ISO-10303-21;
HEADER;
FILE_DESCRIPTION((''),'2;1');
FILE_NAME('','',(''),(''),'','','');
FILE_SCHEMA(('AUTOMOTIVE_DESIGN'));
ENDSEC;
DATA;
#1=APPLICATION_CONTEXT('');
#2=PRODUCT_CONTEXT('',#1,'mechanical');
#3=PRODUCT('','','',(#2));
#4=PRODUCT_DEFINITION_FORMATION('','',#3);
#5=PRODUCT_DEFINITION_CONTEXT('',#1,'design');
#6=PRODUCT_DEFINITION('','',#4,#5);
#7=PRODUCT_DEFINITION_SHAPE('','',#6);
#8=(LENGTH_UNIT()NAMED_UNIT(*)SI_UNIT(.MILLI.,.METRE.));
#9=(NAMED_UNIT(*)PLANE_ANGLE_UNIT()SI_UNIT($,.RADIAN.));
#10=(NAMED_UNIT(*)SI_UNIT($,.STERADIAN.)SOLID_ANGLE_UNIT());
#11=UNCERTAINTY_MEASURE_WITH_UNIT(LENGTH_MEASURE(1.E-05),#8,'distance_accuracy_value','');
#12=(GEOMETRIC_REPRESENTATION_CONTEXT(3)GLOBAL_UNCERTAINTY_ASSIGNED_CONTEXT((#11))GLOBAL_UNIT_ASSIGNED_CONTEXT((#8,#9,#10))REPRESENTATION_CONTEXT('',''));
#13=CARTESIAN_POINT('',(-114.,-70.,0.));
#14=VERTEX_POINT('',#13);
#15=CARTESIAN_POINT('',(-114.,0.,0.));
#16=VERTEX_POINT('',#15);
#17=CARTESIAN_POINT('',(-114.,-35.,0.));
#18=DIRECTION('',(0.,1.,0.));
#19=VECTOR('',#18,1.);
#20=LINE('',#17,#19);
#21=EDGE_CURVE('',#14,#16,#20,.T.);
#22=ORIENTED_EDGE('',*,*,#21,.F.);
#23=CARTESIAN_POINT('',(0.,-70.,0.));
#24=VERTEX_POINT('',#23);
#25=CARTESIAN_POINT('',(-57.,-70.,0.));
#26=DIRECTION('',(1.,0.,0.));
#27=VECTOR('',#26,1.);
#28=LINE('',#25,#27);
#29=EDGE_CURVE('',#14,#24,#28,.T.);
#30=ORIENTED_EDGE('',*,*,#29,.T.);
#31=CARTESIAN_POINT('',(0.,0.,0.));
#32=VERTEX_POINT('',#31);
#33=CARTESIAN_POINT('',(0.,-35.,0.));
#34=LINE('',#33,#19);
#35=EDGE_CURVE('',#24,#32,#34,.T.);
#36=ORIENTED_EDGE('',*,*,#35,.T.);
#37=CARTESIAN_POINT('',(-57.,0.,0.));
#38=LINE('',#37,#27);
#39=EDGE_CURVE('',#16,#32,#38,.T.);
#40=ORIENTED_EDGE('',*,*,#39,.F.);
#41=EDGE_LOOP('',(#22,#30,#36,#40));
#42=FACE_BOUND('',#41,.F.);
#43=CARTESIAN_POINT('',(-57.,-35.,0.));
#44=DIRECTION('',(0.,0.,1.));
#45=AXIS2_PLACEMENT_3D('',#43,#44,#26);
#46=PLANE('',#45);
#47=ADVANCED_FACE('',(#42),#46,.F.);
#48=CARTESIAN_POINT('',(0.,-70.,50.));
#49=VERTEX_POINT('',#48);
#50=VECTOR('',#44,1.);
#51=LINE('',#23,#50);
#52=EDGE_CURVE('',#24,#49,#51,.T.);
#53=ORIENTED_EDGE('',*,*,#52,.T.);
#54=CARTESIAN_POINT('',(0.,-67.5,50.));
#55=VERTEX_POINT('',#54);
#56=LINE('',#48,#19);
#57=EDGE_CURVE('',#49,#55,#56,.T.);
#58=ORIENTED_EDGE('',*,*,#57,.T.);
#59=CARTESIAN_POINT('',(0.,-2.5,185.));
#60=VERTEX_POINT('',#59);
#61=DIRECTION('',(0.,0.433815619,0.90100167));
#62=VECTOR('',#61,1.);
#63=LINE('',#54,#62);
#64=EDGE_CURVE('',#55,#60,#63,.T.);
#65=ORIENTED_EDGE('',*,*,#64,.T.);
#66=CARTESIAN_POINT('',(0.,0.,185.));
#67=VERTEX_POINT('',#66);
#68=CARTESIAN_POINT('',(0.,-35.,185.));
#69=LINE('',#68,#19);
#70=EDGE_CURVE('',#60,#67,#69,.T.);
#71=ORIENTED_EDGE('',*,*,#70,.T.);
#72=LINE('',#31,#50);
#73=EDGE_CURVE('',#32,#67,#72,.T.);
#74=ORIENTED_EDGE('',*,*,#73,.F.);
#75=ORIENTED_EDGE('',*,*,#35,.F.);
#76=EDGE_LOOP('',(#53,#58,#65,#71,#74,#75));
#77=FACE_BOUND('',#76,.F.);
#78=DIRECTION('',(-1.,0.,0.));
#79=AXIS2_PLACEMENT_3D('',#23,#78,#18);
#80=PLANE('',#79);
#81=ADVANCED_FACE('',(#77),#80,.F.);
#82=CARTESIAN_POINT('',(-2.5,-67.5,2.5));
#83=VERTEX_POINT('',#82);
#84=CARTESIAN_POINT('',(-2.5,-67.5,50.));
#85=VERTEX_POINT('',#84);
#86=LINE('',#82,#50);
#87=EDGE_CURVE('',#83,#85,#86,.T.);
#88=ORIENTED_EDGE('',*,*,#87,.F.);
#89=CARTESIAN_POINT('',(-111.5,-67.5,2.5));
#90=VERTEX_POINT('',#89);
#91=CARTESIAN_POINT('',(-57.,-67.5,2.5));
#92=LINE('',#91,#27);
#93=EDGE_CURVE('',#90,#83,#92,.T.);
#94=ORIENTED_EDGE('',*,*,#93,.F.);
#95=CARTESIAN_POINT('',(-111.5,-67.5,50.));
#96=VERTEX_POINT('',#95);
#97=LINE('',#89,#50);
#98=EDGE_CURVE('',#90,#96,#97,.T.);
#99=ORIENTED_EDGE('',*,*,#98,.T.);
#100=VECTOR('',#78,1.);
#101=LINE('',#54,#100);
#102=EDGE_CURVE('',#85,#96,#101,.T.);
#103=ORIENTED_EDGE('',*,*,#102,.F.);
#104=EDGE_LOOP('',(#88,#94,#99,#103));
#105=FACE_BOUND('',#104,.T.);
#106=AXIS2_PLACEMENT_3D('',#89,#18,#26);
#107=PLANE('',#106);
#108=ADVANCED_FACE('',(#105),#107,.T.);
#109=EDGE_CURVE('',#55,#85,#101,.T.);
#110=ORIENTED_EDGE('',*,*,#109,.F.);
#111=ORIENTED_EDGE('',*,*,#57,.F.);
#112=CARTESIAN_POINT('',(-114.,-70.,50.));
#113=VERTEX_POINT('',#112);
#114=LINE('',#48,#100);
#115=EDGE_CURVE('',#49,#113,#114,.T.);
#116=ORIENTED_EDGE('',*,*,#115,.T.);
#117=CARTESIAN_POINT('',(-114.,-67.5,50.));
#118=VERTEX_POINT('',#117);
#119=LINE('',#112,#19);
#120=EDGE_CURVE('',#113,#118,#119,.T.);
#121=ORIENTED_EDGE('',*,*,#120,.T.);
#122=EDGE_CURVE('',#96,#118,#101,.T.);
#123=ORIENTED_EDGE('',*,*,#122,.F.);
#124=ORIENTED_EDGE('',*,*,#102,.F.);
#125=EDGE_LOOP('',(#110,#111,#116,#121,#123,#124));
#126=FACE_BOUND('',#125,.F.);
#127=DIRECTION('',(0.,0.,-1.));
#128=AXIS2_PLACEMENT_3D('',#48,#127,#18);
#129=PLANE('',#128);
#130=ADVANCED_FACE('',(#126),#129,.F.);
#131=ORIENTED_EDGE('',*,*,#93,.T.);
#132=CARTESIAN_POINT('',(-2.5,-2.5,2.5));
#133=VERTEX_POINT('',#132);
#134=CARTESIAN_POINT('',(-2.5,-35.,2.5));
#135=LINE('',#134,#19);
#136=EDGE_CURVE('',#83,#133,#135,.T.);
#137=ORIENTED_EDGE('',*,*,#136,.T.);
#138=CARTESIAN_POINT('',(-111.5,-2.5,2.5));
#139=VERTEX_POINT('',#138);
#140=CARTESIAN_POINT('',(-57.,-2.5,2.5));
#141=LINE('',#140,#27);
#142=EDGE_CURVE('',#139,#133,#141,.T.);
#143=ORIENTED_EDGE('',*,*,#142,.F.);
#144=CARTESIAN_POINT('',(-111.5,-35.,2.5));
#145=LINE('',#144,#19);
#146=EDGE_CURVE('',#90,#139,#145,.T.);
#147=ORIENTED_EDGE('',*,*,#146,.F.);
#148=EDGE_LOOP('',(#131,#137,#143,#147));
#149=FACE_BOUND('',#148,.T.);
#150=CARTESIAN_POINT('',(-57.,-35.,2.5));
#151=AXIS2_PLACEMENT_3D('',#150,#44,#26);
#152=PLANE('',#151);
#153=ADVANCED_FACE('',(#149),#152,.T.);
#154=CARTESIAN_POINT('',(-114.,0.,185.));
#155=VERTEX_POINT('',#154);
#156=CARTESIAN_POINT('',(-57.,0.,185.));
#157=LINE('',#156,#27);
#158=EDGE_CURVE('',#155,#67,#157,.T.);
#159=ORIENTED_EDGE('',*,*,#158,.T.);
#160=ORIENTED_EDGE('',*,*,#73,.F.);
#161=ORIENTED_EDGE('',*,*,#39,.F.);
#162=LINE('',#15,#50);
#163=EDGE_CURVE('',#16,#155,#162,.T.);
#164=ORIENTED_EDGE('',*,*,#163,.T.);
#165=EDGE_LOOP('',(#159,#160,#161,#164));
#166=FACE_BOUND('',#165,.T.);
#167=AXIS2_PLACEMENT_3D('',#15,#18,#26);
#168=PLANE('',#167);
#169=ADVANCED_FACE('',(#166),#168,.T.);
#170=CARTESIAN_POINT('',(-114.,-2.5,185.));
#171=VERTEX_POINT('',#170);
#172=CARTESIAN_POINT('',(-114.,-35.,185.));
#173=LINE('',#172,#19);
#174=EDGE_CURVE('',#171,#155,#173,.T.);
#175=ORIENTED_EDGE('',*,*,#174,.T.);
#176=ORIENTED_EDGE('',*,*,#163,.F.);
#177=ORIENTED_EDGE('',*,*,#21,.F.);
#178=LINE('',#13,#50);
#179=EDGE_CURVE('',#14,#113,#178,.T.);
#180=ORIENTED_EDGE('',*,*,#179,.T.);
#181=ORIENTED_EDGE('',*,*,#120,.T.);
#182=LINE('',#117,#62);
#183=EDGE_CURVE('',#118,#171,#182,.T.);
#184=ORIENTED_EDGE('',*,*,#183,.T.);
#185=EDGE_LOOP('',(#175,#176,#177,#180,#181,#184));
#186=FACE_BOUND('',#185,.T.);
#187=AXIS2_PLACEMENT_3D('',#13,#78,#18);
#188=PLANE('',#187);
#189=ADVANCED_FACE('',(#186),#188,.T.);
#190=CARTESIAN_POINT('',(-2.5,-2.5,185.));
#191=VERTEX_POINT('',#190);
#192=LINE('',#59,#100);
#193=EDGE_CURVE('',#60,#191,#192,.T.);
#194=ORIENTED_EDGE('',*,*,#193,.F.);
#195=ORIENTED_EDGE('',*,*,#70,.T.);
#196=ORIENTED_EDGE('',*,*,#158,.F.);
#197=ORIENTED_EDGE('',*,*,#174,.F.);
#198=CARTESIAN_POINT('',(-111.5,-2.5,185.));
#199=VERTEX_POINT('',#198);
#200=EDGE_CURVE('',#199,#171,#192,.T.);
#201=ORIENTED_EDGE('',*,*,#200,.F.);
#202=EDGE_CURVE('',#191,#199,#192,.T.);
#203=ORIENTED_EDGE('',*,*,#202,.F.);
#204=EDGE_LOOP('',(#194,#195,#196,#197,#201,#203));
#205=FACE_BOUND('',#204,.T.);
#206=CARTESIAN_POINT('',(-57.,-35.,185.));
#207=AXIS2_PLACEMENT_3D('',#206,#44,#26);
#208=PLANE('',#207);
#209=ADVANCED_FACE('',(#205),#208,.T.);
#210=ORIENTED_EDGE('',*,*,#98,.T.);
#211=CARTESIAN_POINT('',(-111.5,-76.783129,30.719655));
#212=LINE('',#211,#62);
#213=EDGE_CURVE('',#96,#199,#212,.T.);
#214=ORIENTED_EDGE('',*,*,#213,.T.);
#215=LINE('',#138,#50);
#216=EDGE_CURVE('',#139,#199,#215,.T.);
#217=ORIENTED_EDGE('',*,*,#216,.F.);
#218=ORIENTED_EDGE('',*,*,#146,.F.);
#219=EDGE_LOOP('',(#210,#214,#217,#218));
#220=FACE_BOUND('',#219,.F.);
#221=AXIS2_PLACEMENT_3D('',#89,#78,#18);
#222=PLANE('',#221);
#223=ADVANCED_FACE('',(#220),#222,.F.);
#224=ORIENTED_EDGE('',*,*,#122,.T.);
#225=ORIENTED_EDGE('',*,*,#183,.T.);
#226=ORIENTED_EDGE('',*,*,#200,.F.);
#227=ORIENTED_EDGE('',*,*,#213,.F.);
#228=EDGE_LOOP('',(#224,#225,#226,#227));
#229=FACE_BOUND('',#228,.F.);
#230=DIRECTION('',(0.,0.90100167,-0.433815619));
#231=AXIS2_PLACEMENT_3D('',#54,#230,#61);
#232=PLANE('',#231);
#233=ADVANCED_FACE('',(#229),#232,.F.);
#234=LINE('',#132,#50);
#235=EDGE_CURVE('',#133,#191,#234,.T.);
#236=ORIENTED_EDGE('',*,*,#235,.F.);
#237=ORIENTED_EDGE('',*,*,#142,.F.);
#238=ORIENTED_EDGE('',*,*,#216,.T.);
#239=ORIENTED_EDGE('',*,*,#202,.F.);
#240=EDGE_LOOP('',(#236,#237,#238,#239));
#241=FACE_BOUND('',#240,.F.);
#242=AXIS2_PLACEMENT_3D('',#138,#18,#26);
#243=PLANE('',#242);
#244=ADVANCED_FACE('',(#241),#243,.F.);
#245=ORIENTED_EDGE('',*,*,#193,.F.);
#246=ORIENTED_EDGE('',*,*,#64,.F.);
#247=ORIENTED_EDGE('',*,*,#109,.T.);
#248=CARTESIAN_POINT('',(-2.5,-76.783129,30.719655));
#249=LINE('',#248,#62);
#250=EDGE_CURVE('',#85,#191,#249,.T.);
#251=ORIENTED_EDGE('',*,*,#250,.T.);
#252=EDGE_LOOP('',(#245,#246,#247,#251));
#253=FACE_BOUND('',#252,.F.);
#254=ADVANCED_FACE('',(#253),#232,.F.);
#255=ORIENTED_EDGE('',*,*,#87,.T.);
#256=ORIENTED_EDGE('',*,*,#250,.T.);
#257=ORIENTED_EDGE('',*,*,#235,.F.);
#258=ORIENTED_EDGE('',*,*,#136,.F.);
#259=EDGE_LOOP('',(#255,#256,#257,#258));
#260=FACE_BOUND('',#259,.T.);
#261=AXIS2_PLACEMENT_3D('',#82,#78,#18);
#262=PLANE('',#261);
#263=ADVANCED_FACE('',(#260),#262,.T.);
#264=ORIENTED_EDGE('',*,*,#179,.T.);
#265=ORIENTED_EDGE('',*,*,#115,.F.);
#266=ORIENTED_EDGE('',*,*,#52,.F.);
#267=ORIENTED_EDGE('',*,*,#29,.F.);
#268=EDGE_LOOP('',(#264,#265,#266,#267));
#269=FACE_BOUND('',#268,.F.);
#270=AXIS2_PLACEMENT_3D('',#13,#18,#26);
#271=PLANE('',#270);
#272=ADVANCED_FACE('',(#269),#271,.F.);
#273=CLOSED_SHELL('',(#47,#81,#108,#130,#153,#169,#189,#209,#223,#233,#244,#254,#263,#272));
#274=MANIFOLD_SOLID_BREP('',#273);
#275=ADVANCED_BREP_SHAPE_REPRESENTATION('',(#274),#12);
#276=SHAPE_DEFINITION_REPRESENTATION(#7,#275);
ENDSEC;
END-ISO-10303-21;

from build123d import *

# Parameters (mm, degrees)
F0_W     = 114
F0_H     = 70
F1_DEPTH = 185
F5_DEPTH = 114
F3_W     = 109
F3_H     = 65
F6_DEPTH = 182.501


with BuildPart() as f1:
    # F0 (on Top) → F1 (new body)
    with BuildSketch(Plane.XY):
        with Locations((-57, -35)):
            Rectangle(F0_W, F0_H)
    extrude(amount=F1_DEPTH)

    # F4 (on Right) → F5 (cut, through all)
    with BuildSketch(Plane.YZ):
        Polygon((-70, 185), (-70, 50), (-67.5, 50), (-2.5, 185), align=None)
    extrude(amount=-F5_DEPTH, mode=Mode.SUBTRACT)

    # F3 (on offset) → F6 (cut, through all)
    with BuildSketch(Plane.XY.offset(2.5)):
        with Locations((-57, -35)):
            Rectangle(F3_W, F3_H)
    extrude(amount=F6_DEPTH, mode=Mode.SUBTRACT)


solid = f1.part
